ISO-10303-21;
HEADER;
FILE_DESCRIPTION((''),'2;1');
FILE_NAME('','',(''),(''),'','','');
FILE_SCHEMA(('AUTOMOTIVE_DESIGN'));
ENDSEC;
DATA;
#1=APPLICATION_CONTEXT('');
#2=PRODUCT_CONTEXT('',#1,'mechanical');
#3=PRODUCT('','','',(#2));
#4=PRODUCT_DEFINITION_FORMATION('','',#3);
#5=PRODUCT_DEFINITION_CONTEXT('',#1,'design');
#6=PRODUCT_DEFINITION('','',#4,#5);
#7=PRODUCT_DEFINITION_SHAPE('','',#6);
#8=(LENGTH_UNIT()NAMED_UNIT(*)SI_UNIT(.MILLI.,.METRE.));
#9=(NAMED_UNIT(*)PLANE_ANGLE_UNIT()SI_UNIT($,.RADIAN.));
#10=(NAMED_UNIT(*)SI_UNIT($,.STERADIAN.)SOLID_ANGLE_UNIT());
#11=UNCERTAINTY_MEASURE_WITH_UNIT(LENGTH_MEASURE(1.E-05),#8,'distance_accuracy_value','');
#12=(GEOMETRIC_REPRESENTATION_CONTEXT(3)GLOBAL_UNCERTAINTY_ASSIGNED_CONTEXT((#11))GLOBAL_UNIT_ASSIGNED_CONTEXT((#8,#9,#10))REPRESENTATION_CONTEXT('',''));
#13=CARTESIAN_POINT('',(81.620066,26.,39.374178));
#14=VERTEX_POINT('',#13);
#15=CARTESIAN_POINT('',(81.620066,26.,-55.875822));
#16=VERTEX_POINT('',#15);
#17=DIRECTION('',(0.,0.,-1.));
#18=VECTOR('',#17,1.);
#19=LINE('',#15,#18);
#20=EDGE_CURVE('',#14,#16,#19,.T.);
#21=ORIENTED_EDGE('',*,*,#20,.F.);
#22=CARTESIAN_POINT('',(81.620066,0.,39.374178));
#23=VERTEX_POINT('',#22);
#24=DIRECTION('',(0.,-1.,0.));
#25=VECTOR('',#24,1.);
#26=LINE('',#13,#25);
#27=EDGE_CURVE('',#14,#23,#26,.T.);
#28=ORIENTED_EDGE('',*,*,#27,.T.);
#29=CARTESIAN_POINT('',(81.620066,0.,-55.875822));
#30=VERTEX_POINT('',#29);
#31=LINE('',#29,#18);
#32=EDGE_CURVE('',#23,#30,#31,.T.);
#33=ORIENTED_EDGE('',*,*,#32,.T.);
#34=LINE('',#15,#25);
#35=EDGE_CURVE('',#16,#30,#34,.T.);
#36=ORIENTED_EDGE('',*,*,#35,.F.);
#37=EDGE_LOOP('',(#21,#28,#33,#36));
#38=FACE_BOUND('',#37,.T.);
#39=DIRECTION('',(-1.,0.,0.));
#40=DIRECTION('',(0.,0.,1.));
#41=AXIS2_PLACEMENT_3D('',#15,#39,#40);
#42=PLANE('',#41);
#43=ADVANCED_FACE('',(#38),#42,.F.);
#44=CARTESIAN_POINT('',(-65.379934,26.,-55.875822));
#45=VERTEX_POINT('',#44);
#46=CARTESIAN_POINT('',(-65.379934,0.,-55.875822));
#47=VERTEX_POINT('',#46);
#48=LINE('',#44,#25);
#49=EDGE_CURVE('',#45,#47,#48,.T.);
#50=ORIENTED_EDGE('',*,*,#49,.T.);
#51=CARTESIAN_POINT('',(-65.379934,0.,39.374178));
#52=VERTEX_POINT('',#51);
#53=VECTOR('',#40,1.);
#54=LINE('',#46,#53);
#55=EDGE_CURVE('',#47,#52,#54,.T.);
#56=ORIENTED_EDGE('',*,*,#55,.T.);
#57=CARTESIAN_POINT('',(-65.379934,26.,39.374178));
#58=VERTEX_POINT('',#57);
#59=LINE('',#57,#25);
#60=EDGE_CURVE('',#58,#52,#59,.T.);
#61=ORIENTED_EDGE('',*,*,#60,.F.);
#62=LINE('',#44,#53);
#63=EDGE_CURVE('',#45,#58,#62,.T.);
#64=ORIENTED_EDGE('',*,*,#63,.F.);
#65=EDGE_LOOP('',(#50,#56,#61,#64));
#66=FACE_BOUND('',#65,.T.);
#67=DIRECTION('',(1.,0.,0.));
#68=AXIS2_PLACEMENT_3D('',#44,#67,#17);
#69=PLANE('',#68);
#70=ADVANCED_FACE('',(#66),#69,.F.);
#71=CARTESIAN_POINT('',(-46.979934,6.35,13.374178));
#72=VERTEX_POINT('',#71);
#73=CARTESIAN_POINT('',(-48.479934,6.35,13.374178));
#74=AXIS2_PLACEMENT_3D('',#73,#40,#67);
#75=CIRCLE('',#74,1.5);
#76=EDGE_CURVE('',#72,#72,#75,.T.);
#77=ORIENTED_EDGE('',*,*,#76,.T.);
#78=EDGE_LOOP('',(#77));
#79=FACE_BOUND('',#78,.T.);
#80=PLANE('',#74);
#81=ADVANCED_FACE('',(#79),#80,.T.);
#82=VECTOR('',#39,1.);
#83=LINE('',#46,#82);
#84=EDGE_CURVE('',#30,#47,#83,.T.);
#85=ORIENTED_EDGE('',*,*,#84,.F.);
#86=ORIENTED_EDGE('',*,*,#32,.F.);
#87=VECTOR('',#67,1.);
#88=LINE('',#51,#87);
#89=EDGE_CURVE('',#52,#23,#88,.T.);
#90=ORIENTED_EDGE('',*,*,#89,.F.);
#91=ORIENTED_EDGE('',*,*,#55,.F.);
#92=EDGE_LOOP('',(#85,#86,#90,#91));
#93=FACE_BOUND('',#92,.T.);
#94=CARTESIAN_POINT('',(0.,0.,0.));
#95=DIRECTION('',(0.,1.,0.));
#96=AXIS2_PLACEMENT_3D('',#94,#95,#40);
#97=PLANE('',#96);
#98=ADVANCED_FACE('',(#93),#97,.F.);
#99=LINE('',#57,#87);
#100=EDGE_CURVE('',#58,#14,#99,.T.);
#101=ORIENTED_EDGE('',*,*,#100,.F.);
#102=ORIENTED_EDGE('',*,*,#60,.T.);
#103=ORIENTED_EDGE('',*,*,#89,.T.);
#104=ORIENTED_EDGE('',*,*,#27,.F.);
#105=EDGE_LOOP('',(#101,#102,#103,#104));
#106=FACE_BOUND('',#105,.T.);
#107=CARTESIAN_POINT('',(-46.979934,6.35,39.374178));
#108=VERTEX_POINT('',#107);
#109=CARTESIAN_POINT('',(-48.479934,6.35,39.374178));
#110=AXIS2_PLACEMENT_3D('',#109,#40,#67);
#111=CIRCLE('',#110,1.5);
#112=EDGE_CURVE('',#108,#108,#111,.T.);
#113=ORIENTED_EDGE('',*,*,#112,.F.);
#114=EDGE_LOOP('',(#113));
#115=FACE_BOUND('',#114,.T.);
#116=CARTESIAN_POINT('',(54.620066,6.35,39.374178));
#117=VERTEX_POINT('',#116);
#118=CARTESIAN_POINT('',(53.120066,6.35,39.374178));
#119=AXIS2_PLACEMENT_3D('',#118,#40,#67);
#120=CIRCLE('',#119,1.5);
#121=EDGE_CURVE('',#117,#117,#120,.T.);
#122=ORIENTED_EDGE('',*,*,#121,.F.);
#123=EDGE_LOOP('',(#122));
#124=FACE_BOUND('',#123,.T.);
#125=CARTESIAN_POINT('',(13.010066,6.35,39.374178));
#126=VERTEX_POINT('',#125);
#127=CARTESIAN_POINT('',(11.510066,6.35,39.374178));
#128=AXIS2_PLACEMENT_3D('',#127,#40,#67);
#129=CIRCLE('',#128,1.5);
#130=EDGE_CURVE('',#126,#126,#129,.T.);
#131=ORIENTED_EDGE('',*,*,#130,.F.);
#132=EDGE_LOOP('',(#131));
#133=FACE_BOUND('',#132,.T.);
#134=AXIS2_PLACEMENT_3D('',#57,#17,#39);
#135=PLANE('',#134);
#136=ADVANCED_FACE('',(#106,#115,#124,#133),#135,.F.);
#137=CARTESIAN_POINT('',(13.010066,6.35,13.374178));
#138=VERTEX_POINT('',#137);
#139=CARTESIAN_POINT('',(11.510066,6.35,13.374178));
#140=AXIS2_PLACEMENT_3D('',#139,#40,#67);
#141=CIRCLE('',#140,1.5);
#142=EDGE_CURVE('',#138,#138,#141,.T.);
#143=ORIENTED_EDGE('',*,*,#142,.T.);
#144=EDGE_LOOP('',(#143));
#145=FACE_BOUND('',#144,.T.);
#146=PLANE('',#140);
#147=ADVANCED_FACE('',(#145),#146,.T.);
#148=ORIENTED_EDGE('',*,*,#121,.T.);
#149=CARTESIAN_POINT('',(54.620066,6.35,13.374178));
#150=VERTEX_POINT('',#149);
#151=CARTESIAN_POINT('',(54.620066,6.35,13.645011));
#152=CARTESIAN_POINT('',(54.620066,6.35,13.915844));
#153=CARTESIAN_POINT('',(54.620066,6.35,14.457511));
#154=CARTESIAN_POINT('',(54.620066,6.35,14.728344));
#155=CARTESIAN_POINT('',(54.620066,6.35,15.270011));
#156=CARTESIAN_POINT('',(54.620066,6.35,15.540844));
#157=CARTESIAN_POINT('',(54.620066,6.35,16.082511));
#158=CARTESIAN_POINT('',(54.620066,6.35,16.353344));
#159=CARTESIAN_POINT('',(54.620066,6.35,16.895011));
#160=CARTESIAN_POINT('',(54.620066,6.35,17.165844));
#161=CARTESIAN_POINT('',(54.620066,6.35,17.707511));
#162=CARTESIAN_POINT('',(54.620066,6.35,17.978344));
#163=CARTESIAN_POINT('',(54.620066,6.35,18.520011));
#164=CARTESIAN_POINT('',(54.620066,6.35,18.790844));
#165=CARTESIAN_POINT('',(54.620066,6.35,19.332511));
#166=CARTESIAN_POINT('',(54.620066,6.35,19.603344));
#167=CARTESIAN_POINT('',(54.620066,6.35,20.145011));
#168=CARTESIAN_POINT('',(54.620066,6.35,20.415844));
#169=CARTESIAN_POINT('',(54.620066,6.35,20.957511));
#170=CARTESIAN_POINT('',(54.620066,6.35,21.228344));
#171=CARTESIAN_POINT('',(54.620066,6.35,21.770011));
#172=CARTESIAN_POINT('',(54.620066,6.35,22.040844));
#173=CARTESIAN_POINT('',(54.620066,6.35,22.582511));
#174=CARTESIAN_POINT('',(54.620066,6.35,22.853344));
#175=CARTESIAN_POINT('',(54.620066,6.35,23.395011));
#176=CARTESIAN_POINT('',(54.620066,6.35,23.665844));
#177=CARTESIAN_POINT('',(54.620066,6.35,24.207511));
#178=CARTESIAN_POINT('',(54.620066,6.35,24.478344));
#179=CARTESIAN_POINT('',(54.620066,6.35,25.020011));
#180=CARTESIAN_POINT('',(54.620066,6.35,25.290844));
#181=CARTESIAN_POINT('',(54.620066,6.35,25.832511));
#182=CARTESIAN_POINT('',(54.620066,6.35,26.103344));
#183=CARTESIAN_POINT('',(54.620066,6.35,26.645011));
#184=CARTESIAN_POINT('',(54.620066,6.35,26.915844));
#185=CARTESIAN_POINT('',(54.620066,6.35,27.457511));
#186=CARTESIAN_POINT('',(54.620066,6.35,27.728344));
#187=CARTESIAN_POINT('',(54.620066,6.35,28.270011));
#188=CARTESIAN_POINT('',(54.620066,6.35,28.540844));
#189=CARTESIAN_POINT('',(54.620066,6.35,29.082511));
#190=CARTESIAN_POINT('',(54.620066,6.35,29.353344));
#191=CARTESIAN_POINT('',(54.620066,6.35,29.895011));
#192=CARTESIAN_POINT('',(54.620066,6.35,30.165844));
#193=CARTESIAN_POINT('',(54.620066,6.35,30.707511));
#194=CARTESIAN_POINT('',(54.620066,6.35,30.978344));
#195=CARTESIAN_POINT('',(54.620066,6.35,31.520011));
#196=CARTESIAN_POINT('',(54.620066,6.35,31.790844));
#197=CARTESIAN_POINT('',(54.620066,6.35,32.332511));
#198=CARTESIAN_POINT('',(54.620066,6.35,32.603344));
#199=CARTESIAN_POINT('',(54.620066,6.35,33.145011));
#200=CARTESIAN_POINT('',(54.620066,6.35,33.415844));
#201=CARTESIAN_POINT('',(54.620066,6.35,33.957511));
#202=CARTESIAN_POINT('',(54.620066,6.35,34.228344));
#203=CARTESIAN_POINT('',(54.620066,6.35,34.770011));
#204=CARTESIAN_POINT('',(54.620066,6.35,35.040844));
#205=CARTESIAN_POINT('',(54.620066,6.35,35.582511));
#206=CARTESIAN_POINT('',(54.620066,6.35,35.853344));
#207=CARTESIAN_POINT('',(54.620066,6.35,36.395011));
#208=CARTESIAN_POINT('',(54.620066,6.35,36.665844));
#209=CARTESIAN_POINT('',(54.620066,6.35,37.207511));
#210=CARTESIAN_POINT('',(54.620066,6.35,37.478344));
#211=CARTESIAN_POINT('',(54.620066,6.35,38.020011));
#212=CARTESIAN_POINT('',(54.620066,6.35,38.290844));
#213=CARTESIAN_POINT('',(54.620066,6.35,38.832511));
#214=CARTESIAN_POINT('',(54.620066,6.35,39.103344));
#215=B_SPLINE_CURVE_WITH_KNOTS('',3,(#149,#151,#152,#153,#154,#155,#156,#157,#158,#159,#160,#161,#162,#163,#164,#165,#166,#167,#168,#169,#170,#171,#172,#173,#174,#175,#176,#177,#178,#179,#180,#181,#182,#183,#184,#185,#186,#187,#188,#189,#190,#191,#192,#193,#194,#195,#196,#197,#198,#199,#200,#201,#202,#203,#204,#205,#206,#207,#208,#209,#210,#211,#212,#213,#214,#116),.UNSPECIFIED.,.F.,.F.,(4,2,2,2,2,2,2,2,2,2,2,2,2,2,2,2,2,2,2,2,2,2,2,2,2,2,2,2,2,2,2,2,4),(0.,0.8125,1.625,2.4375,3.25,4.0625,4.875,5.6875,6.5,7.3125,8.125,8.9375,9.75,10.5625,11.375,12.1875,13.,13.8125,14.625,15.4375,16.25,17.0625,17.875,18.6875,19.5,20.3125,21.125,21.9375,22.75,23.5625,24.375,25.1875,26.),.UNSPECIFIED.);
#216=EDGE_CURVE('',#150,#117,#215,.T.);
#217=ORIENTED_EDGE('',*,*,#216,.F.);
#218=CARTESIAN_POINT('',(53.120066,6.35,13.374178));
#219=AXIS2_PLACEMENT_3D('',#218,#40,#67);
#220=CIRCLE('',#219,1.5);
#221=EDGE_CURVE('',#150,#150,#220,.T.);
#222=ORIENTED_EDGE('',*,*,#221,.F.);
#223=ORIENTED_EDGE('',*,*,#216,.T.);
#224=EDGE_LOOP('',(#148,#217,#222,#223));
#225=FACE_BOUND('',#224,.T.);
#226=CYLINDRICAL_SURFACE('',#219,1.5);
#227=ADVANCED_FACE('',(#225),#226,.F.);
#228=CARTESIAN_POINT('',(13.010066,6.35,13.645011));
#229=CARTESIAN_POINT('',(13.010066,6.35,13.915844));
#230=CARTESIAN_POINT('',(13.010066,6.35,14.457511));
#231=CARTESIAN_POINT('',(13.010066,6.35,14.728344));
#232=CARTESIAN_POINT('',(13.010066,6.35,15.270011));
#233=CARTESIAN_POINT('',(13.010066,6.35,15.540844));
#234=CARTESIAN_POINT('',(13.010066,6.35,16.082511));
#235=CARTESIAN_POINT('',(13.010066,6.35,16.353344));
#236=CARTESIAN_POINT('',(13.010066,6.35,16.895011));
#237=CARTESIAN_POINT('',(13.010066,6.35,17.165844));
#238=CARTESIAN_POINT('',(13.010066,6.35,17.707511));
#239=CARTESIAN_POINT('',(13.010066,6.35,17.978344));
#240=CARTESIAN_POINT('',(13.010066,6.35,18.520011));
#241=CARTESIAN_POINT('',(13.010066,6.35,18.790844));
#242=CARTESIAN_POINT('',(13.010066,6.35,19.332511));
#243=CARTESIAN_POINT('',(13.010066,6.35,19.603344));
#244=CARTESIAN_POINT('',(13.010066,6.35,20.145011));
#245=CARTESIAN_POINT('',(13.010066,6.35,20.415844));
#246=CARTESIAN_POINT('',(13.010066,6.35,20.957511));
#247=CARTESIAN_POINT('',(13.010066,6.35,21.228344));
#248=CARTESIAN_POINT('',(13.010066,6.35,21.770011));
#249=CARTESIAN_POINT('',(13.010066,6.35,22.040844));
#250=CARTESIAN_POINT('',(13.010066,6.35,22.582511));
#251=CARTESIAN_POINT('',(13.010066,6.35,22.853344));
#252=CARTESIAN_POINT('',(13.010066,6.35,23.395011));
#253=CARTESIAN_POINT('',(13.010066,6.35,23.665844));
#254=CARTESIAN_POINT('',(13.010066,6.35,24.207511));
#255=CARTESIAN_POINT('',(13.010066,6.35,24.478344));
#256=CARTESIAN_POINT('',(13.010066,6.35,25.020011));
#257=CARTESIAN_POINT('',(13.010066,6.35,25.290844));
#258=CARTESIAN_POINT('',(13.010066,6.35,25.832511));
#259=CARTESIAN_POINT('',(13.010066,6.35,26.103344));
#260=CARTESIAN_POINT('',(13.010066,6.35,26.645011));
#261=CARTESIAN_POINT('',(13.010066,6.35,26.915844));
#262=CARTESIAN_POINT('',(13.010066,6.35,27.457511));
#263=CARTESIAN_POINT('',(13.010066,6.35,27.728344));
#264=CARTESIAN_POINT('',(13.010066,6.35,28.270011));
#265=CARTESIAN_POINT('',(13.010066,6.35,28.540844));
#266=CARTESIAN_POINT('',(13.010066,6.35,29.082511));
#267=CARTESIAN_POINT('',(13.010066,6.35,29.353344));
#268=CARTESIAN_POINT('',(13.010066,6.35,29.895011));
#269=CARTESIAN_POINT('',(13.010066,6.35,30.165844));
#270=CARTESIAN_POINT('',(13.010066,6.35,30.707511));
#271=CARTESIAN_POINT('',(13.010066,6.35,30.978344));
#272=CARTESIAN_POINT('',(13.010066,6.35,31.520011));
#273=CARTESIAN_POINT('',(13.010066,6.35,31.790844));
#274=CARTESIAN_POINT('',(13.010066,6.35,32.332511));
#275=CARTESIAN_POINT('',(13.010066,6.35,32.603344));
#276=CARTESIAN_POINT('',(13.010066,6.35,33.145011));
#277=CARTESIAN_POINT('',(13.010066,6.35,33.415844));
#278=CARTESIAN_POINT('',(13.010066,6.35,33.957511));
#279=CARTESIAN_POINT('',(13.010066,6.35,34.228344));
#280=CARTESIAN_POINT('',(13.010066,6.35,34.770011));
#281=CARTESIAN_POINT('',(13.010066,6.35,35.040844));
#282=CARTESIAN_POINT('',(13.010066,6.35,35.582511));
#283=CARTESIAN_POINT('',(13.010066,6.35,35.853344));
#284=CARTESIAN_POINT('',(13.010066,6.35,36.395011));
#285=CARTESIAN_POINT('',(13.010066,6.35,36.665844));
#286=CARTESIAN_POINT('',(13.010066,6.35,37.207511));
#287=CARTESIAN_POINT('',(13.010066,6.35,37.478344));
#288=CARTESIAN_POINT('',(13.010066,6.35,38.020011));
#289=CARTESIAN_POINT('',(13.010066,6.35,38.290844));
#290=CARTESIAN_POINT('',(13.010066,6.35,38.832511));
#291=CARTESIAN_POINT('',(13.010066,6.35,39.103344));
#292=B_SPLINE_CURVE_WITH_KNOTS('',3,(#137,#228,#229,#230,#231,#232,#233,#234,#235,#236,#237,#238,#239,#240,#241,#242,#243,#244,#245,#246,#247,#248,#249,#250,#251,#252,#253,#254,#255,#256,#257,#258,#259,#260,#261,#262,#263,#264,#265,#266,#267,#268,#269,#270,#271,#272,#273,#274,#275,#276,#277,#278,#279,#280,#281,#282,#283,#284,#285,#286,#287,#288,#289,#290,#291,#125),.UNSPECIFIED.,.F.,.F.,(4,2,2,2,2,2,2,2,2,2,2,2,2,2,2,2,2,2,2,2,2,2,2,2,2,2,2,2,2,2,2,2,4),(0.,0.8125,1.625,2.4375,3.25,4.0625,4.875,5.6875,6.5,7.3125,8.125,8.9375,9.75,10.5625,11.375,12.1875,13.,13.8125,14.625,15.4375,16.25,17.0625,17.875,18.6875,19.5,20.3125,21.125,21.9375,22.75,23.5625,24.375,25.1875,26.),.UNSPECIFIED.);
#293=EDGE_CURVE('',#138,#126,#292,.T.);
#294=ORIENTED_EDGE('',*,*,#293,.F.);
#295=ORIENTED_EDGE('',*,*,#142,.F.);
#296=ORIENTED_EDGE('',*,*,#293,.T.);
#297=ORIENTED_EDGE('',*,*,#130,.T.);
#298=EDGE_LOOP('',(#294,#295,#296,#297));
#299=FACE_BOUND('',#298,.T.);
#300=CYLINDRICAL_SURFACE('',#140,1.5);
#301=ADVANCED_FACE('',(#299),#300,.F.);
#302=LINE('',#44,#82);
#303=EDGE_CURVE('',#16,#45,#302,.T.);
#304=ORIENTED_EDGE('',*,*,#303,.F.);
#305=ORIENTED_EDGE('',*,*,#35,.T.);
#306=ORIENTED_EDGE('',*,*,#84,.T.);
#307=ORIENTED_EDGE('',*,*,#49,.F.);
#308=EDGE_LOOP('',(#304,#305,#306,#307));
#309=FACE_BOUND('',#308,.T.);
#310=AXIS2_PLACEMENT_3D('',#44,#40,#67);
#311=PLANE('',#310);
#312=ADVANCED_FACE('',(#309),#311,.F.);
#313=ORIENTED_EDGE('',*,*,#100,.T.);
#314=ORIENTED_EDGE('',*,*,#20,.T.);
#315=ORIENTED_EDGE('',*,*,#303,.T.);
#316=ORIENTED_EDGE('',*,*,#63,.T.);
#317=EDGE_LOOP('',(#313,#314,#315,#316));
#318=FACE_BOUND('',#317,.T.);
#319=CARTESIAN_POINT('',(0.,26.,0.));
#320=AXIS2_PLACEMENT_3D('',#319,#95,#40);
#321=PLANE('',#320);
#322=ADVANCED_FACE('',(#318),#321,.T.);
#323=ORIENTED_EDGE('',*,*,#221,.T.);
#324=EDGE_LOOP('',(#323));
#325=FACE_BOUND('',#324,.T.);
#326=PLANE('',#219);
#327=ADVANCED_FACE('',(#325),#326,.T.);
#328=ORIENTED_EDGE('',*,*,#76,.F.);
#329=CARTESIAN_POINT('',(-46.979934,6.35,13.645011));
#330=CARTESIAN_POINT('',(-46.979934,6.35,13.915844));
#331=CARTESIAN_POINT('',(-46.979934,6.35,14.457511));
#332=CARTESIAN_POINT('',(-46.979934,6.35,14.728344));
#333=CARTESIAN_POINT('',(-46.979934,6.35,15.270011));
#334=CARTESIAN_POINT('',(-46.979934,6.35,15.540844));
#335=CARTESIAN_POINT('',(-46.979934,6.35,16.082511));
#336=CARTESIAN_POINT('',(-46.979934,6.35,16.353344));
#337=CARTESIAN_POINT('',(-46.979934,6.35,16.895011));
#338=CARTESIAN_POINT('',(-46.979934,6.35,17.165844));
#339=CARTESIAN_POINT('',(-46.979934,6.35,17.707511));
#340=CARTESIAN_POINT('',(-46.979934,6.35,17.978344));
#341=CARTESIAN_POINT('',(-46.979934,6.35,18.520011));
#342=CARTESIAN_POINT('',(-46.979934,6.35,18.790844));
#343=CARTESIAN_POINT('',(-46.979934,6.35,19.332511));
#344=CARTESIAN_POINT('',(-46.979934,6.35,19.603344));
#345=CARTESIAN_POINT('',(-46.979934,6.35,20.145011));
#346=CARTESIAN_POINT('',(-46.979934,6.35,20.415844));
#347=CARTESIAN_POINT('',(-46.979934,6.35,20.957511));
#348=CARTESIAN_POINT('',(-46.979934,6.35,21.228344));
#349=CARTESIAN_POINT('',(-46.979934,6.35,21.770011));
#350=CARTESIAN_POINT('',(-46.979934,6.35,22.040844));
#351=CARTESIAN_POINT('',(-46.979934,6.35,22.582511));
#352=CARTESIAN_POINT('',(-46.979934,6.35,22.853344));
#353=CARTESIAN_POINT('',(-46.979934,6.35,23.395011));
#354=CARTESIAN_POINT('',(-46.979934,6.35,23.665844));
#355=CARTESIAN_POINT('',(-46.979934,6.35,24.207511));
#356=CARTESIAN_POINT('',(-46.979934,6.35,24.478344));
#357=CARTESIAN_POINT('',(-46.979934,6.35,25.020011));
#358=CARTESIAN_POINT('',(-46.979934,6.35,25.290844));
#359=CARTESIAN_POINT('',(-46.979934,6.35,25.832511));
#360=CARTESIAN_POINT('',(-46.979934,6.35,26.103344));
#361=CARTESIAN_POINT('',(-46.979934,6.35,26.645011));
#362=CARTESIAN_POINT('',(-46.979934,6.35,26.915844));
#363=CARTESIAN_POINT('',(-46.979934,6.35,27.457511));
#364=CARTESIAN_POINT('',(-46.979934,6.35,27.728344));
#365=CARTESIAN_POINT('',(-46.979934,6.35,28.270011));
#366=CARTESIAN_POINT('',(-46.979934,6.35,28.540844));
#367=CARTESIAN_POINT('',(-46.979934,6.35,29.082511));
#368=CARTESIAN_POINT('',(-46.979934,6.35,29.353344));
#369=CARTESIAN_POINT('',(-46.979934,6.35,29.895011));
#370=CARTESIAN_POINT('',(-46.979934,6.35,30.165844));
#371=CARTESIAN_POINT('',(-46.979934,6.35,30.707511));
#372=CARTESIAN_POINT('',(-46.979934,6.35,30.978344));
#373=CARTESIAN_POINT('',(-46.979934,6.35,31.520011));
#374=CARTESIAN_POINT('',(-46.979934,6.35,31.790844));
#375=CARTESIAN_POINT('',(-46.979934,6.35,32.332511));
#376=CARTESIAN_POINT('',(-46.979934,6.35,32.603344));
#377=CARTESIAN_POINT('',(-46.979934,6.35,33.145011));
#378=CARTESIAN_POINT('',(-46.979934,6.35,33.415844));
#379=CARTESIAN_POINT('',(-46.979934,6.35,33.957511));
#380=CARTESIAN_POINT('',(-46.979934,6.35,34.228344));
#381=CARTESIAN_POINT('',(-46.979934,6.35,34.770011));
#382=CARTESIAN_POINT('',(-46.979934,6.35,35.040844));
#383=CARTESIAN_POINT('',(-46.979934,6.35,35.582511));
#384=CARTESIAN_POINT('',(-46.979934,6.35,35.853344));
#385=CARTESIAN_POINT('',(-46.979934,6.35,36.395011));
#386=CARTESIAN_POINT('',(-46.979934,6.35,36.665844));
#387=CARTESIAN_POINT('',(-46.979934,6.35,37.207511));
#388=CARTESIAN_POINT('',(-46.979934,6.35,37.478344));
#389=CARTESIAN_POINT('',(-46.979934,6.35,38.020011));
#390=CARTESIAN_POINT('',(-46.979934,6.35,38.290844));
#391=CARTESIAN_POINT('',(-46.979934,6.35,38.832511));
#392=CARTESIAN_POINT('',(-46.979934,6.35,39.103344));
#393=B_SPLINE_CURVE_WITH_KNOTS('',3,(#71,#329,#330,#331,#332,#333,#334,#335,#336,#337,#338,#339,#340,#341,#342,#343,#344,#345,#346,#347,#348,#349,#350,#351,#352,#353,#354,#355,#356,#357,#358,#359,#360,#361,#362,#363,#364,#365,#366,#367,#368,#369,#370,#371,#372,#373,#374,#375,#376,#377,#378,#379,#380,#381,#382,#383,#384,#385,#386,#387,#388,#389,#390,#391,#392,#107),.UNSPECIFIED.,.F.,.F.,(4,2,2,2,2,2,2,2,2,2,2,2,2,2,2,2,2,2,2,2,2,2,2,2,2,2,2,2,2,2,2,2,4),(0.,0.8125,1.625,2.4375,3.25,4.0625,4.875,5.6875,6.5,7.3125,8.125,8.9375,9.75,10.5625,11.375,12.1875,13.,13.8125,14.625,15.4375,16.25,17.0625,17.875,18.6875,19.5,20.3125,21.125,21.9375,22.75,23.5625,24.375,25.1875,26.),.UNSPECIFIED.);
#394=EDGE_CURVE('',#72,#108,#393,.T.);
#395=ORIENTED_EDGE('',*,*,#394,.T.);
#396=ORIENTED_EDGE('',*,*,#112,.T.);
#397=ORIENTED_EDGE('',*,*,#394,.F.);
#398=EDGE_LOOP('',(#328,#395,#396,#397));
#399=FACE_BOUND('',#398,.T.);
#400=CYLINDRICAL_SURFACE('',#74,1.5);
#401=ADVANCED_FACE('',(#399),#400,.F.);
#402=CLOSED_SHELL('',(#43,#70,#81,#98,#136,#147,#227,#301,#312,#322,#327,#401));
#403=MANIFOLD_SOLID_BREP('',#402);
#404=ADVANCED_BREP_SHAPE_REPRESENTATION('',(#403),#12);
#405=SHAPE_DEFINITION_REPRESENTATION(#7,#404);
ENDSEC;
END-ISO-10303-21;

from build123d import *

# Parameters (mm, degrees)
SKETCH1_W           = 147
SKETCH1_H           = 95.25
BOSS_EXTRUDE1_DEPTH = 26
SKETCH2_R           = 1.5
CUT_EXTRUDE3_DEPTH  = 26


with BuildPart() as part:
    # Sketch1 → Boss-Extrude1 (new body)
    with BuildSketch(Plane(origin=(0, 0, 0), x_dir=(1, 0, 0), z_dir=(0, 1, 0))):
        with Locations((8.120065789, 8.250822368)):
            Rectangle(SKETCH1_W, SKETCH1_H)
    extrude(amount=BOSS_EXTRUDE1_DEPTH)

    # Sketch2 → Cut-Extrude3 (cut)
    with BuildSketch(Plane.XY.offset(39.374177632)):
        with Locations((-48.479934211, 6.35)):
            Circle(SKETCH2_R)
        with Locations((11.510065789, 6.35)):
            Circle(SKETCH2_R)
        with Locations((53.120065789, 6.35)):
            Circle(SKETCH2_R)
    extrude(amount=-CUT_EXTRUDE3_DEPTH, mode=Mode.SUBTRACT)


solid = part.part
